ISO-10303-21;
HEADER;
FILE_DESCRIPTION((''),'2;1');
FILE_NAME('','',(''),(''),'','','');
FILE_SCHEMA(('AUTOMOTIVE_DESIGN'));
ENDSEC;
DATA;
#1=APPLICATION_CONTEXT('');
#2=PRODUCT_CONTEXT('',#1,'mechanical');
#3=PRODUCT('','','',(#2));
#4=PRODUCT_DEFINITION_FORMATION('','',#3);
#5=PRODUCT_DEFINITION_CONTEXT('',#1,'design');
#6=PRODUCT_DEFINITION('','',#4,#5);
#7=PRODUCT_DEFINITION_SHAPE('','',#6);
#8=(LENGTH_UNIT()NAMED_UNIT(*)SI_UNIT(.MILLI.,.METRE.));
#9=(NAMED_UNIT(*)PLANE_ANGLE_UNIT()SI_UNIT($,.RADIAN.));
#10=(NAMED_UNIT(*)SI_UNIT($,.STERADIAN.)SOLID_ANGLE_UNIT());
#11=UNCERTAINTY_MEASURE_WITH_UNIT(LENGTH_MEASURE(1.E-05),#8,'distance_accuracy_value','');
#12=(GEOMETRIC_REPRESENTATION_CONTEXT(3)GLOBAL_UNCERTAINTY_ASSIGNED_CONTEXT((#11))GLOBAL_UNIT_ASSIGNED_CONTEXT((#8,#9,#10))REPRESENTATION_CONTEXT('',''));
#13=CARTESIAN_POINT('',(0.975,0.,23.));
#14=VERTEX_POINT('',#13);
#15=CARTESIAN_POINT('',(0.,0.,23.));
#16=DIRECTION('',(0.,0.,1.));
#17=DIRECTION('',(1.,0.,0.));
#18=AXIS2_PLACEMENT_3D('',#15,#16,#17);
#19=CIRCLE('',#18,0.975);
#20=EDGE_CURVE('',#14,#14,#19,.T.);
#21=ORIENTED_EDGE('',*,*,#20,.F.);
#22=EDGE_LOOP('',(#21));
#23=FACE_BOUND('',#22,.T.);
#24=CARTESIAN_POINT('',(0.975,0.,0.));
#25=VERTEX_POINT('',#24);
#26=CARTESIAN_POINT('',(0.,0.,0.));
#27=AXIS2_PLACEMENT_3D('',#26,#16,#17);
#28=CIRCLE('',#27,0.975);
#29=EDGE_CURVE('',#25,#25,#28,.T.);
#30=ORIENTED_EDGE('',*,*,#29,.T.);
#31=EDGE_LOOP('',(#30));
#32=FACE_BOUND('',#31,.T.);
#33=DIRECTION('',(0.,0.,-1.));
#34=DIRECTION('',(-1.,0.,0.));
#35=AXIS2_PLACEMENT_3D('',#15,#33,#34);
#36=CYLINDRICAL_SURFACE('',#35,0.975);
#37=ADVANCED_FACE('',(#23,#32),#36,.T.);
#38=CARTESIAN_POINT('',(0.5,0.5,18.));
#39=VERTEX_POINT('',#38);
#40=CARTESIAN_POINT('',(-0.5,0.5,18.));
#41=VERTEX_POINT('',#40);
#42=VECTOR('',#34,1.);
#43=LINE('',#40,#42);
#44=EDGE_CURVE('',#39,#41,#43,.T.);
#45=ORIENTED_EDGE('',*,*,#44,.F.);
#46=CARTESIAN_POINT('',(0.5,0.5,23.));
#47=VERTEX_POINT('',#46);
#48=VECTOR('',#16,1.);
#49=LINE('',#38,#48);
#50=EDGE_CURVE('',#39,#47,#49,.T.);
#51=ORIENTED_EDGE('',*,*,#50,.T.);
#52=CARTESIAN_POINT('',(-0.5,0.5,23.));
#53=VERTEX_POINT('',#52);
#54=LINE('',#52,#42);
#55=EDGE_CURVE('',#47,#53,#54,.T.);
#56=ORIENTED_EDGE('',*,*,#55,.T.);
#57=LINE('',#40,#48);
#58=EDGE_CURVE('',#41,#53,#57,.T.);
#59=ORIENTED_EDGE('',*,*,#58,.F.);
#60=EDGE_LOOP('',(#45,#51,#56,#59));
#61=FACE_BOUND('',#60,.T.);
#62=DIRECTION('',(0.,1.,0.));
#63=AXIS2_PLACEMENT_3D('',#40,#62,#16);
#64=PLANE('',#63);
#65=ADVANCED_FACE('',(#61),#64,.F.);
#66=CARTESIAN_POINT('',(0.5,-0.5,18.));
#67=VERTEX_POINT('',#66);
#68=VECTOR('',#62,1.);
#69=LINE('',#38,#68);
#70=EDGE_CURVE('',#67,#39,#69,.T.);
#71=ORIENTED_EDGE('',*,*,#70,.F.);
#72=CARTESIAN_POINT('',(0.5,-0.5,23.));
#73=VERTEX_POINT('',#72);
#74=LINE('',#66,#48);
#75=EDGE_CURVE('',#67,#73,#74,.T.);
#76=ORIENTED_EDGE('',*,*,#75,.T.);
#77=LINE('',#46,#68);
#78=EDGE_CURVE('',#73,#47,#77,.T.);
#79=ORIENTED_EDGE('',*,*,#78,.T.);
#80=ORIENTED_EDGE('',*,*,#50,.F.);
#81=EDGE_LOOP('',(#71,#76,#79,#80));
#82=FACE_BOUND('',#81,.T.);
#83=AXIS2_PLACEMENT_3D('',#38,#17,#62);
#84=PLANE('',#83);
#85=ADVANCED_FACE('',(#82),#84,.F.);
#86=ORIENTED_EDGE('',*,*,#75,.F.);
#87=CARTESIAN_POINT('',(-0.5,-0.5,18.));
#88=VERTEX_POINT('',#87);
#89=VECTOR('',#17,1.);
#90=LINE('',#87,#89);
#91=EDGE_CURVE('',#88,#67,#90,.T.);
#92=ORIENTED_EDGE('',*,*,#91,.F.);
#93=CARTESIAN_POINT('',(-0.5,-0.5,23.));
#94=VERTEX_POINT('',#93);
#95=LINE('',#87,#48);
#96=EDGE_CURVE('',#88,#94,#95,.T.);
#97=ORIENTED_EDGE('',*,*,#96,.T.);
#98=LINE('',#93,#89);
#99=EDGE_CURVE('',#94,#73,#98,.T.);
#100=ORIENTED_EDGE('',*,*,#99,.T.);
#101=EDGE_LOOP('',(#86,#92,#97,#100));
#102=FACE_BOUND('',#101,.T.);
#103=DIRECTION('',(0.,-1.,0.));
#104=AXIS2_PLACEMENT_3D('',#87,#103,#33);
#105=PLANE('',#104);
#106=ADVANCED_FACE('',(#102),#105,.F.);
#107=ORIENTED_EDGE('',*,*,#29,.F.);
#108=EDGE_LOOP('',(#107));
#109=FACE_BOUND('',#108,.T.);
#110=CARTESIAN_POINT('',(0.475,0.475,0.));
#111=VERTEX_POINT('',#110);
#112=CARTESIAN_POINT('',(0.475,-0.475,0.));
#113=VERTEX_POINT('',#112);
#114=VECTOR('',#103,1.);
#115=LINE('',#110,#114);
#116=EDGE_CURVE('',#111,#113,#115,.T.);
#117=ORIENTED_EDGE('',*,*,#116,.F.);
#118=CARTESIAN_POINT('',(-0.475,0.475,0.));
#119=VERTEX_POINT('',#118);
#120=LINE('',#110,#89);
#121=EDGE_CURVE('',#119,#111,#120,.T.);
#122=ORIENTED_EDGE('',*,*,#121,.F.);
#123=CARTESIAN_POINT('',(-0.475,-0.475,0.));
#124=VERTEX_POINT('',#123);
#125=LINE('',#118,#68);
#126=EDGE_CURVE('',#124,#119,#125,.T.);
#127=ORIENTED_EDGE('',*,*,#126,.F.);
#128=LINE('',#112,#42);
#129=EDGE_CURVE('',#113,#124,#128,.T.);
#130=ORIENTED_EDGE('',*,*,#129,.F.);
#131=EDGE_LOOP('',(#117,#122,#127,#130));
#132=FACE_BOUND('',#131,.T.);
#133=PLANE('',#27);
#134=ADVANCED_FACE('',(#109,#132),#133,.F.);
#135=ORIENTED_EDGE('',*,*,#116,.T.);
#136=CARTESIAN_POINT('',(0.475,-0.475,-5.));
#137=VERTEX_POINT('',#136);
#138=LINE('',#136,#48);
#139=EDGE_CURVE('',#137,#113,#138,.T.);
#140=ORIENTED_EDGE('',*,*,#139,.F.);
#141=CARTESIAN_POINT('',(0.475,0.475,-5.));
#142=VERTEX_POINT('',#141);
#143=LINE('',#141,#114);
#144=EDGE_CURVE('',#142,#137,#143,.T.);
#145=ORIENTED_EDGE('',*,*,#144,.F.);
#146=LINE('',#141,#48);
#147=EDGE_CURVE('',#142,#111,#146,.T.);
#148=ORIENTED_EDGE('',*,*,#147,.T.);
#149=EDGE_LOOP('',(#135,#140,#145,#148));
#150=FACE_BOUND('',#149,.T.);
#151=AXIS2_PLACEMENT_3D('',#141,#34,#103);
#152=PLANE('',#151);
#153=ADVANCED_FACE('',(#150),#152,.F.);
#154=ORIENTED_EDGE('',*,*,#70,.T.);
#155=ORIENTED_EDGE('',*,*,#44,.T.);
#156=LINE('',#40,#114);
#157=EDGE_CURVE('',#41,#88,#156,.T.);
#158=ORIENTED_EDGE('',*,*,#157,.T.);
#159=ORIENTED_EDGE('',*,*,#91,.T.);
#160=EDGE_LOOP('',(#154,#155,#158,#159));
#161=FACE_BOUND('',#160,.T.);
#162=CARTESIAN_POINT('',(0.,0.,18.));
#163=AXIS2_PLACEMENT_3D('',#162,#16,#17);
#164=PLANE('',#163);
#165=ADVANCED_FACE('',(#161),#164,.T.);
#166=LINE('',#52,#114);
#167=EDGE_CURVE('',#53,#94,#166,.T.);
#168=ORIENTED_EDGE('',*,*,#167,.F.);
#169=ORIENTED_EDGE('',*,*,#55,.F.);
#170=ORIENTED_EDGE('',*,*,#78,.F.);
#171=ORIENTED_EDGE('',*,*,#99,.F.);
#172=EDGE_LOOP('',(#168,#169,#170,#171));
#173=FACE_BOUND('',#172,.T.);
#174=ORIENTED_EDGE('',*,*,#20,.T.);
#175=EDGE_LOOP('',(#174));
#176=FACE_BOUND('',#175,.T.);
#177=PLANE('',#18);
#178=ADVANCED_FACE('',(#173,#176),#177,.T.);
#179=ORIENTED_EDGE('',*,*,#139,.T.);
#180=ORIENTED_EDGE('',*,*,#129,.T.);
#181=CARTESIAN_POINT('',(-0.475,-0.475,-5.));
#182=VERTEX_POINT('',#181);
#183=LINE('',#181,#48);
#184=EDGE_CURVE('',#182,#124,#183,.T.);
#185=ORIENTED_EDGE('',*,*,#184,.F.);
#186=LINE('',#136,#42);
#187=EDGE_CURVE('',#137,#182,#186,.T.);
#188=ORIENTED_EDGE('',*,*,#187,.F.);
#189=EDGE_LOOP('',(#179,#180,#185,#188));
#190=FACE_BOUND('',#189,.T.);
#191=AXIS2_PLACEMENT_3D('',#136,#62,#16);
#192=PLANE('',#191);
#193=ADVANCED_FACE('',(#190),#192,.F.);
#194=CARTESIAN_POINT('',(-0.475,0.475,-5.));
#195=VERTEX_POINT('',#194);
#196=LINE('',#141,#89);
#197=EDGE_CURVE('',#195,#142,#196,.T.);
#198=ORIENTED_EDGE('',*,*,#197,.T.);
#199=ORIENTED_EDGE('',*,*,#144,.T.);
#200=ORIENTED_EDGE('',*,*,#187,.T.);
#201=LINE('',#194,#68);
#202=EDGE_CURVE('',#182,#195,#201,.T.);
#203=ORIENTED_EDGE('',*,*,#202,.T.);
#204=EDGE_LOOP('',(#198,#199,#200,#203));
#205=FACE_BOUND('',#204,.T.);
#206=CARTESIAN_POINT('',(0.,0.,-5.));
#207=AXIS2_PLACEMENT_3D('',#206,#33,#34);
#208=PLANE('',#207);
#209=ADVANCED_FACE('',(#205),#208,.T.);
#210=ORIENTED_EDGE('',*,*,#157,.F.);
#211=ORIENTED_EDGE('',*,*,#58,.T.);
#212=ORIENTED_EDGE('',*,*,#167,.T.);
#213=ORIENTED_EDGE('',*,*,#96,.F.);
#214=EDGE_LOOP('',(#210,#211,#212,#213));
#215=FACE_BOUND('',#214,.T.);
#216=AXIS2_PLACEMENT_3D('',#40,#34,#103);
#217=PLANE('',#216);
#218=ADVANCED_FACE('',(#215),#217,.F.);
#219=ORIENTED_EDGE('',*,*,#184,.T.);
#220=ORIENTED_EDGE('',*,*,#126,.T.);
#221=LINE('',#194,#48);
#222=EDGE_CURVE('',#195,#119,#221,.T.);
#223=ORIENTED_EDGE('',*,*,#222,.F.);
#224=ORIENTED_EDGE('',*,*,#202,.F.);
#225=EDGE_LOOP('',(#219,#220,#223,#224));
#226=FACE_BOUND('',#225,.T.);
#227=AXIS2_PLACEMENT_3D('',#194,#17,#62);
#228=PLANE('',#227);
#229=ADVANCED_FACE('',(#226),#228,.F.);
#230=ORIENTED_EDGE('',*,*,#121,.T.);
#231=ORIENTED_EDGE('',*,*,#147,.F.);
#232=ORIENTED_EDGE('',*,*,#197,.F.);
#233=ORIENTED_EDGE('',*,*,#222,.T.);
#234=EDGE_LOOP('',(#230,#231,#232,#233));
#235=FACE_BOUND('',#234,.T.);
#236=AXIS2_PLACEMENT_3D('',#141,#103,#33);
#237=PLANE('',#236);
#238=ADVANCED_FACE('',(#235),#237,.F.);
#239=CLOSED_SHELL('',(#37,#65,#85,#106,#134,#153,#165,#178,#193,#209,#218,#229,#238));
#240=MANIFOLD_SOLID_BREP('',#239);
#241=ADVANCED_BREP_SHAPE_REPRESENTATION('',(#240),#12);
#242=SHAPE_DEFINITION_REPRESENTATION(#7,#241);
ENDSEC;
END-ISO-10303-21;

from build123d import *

# Parameters (mm, degrees)
SKETCH1_R           = 0.975
BOSS_EXTRUDE1_DEPTH = 23
SKETCH2_W           = 0.95
SKETCH2_H           = 0.95
BOSS_EXTRUDE2_DEPTH = 5
SKETCH3_W           = 1
SKETCH3_H           = 1
CUT_EXTRUDE1_DEPTH  = 5


with BuildPart() as part:
    # Sketch1 → Boss-Extrude1 (new body)
    with BuildSketch(Plane.XY):
        Circle(SKETCH1_R)
    extrude(amount=BOSS_EXTRUDE1_DEPTH)

    # Sketch2 → Boss-Extrude2 (add)
    with BuildSketch(Plane(origin=(0, 0, 0), x_dir=(-1, 0, 0), z_dir=(0, 0, -1))):
        Rectangle(SKETCH2_W, SKETCH2_H)
    extrude(amount=BOSS_EXTRUDE2_DEPTH)

    # Sketch3 → Cut-Extrude1 (cut)
    with BuildSketch(Plane.XY.offset(23)):
        Rectangle(SKETCH3_W, SKETCH3_H)
    extrude(amount=-CUT_EXTRUDE1_DEPTH, mode=Mode.SUBTRACT)


solid = part.part
